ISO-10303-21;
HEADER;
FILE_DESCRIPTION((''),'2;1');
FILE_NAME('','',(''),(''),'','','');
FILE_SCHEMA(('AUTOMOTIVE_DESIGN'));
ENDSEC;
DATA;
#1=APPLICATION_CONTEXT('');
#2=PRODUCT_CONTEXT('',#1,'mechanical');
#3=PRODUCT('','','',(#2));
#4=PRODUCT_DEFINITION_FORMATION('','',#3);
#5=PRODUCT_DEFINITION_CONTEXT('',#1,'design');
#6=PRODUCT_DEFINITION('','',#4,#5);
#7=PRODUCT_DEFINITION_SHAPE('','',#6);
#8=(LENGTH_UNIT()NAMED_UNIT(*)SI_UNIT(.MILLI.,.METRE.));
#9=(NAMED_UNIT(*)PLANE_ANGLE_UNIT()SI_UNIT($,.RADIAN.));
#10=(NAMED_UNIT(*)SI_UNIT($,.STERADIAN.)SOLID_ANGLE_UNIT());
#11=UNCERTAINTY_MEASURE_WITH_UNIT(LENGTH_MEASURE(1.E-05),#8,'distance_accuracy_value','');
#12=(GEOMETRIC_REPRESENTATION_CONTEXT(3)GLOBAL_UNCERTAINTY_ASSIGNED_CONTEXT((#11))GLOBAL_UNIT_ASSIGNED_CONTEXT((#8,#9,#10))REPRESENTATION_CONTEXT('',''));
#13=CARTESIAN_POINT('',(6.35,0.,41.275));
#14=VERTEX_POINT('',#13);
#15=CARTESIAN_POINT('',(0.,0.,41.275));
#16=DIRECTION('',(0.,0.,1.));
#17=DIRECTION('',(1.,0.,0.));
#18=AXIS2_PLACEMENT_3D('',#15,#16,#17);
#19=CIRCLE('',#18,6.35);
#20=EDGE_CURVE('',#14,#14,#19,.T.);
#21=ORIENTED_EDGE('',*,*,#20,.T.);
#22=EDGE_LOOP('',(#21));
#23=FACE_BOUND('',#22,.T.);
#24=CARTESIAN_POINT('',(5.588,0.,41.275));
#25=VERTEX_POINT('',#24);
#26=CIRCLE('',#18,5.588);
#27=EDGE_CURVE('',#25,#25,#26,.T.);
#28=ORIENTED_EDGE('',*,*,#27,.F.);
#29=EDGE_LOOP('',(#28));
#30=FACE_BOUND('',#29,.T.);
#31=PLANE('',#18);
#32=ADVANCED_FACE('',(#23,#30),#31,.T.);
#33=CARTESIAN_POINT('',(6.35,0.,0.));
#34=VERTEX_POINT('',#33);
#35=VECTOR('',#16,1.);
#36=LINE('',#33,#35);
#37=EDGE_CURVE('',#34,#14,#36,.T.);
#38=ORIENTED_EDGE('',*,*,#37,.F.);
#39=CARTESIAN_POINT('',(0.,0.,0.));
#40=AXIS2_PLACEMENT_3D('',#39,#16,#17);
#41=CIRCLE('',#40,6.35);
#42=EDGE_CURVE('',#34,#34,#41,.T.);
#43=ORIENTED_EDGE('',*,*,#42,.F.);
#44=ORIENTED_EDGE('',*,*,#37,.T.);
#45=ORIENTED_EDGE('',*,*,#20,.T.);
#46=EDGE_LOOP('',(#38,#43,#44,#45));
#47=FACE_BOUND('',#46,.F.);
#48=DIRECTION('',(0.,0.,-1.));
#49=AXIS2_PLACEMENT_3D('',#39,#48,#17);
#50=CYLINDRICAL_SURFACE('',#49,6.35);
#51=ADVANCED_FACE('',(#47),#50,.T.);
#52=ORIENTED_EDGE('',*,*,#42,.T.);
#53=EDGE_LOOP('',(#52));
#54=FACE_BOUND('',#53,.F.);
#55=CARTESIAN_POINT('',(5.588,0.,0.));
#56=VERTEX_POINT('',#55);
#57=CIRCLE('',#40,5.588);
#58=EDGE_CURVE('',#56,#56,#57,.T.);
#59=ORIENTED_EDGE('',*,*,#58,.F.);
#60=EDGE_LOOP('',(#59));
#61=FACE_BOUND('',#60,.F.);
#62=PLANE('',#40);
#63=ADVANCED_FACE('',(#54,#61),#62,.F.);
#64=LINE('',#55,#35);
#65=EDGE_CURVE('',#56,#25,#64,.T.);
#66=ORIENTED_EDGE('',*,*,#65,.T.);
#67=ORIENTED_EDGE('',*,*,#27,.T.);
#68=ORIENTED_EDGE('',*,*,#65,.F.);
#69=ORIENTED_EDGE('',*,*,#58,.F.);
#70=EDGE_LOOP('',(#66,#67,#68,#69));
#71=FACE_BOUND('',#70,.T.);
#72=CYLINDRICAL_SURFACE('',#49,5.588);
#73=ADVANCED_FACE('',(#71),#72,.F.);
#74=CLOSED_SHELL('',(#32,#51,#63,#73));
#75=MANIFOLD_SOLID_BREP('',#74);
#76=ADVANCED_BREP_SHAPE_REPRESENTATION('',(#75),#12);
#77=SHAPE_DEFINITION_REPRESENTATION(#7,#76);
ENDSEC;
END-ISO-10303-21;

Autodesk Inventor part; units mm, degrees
ref_plane "YZ Plane" through (0, 0, 0) normal (1, 0, 0) x (0, 1, 0)
ref_plane "XZ Plane" through (0, 0, 0) normal (0, 1, 0) x (-1, 0, 0)
ref_plane "XY Plane" through (0, 0, 0) normal (0, 0, 1) x (1, 0, 0)
sketch "Sketch1" plane through (0, 0, 0) normal (0, 0, 1) x (1, 0, 0)
  circle A0 centre (0, 0) radius 6.35
  circle A1 centre (0, 0) radius 5.588
  dimension "d0" = 12.7
  dimension "d1" = 0.762
extrude "Extrusion1" add sketch "Sketch1" along normal blind 41.275
properties part number "Axail Rod"
